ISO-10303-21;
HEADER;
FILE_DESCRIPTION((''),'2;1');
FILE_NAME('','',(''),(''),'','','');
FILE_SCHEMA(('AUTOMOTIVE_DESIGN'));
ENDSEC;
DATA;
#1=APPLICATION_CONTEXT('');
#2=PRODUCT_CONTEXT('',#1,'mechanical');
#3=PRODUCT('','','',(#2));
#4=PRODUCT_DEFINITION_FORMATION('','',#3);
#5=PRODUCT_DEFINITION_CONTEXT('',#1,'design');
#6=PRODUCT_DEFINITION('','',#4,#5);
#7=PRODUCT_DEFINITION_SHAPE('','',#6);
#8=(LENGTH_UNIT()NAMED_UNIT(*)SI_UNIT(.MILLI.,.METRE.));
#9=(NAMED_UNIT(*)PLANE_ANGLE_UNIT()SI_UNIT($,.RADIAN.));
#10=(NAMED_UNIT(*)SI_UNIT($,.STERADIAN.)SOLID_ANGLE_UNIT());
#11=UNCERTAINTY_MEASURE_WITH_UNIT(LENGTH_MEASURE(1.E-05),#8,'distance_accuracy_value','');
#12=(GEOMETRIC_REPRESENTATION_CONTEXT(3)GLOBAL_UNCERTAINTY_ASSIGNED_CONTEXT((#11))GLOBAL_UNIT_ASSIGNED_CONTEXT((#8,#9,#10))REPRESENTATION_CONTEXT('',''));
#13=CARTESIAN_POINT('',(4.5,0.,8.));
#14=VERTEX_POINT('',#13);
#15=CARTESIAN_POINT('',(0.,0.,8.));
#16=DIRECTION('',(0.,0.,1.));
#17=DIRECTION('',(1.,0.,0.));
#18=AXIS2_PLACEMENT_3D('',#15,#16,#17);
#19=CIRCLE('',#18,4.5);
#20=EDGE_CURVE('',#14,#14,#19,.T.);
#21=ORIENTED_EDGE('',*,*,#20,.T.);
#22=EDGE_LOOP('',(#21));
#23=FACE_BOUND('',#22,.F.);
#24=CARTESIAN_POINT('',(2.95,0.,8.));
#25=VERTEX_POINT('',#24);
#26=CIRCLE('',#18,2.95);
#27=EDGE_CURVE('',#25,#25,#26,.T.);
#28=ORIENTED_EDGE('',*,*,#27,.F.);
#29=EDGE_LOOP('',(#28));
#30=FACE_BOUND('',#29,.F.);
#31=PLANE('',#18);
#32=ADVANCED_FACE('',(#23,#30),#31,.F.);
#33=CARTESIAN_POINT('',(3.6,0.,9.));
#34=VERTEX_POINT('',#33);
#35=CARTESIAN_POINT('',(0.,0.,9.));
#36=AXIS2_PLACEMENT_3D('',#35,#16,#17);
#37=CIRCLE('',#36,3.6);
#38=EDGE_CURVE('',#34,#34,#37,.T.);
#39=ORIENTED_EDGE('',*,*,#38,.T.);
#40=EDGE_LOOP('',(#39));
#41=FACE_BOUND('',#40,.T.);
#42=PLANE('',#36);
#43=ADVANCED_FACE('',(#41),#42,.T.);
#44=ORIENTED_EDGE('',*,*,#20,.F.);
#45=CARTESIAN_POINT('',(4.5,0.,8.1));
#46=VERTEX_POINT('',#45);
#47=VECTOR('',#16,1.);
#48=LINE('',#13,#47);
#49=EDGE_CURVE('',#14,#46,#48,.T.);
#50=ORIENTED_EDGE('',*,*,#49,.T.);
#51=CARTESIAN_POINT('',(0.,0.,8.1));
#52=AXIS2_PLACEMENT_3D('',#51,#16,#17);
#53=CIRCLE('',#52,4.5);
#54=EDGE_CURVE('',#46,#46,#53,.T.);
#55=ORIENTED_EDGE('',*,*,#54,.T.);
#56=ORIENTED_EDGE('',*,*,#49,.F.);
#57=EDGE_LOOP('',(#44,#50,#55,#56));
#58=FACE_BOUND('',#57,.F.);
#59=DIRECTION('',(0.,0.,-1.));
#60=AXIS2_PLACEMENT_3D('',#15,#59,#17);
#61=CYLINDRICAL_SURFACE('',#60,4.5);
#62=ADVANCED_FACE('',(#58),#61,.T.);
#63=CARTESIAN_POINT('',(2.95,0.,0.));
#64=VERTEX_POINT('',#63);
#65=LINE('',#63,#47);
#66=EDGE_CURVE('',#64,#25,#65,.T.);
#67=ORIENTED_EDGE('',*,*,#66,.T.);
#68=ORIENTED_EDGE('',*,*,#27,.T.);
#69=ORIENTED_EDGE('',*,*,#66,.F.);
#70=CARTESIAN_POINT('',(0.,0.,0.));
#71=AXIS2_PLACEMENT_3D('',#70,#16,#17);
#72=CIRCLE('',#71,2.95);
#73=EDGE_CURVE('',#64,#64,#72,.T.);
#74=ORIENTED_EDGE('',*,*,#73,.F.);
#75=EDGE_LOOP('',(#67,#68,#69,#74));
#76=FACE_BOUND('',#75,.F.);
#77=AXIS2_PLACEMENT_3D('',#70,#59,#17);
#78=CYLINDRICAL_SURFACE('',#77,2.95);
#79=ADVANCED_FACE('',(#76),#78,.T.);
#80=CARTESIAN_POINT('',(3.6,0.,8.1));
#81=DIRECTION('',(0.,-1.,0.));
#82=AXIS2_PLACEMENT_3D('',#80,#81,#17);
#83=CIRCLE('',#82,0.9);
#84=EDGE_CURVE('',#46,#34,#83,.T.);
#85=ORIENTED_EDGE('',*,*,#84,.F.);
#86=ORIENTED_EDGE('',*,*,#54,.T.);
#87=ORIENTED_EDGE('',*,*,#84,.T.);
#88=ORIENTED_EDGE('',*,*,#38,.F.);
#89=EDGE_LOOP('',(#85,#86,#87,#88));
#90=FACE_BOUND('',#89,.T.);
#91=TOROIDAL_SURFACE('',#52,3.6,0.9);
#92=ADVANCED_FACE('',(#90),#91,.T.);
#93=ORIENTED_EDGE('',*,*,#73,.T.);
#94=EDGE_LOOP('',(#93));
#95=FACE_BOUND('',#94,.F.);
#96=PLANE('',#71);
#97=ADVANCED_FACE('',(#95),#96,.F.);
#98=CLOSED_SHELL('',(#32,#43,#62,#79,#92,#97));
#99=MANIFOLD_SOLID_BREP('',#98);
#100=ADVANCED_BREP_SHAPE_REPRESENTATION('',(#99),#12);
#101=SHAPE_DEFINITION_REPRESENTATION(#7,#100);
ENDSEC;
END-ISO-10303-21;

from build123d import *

# Parameters (mm, degrees)
CYLINDER003_R     = 4.5
CYLINDER003_DEPTH = 1
FILLET001_R       = 0.9
CYLINDER002_R     = 2.95
CYLINDER002_DEPTH = 8


with BuildPart() as fillet001:
    # Cylinder003 → Cylinder003 (new body)
    with BuildSketch(Plane.XY.offset(8)):
        Circle(CYLINDER003_R)
    extrude(amount=CYLINDER003_DEPTH)

    # Fillet001
    fillet001_edges = [fillet001.edges().sort_by_distance(p)[0] for p in [
        (-4.5, 0, 9),
    ]]
    fillet(fillet001_edges, radius=FILLET001_R)


with BuildPart() as fusion001:
    # Cylinder002 → Cylinder002 (new body)
    with BuildSketch(Plane.XY):
        Circle(CYLINDER002_R)
    extrude(amount=CYLINDER002_DEPTH)

    # Fusion001: union Fillet001
    add(fillet001.part)


solid = fusion001.part
